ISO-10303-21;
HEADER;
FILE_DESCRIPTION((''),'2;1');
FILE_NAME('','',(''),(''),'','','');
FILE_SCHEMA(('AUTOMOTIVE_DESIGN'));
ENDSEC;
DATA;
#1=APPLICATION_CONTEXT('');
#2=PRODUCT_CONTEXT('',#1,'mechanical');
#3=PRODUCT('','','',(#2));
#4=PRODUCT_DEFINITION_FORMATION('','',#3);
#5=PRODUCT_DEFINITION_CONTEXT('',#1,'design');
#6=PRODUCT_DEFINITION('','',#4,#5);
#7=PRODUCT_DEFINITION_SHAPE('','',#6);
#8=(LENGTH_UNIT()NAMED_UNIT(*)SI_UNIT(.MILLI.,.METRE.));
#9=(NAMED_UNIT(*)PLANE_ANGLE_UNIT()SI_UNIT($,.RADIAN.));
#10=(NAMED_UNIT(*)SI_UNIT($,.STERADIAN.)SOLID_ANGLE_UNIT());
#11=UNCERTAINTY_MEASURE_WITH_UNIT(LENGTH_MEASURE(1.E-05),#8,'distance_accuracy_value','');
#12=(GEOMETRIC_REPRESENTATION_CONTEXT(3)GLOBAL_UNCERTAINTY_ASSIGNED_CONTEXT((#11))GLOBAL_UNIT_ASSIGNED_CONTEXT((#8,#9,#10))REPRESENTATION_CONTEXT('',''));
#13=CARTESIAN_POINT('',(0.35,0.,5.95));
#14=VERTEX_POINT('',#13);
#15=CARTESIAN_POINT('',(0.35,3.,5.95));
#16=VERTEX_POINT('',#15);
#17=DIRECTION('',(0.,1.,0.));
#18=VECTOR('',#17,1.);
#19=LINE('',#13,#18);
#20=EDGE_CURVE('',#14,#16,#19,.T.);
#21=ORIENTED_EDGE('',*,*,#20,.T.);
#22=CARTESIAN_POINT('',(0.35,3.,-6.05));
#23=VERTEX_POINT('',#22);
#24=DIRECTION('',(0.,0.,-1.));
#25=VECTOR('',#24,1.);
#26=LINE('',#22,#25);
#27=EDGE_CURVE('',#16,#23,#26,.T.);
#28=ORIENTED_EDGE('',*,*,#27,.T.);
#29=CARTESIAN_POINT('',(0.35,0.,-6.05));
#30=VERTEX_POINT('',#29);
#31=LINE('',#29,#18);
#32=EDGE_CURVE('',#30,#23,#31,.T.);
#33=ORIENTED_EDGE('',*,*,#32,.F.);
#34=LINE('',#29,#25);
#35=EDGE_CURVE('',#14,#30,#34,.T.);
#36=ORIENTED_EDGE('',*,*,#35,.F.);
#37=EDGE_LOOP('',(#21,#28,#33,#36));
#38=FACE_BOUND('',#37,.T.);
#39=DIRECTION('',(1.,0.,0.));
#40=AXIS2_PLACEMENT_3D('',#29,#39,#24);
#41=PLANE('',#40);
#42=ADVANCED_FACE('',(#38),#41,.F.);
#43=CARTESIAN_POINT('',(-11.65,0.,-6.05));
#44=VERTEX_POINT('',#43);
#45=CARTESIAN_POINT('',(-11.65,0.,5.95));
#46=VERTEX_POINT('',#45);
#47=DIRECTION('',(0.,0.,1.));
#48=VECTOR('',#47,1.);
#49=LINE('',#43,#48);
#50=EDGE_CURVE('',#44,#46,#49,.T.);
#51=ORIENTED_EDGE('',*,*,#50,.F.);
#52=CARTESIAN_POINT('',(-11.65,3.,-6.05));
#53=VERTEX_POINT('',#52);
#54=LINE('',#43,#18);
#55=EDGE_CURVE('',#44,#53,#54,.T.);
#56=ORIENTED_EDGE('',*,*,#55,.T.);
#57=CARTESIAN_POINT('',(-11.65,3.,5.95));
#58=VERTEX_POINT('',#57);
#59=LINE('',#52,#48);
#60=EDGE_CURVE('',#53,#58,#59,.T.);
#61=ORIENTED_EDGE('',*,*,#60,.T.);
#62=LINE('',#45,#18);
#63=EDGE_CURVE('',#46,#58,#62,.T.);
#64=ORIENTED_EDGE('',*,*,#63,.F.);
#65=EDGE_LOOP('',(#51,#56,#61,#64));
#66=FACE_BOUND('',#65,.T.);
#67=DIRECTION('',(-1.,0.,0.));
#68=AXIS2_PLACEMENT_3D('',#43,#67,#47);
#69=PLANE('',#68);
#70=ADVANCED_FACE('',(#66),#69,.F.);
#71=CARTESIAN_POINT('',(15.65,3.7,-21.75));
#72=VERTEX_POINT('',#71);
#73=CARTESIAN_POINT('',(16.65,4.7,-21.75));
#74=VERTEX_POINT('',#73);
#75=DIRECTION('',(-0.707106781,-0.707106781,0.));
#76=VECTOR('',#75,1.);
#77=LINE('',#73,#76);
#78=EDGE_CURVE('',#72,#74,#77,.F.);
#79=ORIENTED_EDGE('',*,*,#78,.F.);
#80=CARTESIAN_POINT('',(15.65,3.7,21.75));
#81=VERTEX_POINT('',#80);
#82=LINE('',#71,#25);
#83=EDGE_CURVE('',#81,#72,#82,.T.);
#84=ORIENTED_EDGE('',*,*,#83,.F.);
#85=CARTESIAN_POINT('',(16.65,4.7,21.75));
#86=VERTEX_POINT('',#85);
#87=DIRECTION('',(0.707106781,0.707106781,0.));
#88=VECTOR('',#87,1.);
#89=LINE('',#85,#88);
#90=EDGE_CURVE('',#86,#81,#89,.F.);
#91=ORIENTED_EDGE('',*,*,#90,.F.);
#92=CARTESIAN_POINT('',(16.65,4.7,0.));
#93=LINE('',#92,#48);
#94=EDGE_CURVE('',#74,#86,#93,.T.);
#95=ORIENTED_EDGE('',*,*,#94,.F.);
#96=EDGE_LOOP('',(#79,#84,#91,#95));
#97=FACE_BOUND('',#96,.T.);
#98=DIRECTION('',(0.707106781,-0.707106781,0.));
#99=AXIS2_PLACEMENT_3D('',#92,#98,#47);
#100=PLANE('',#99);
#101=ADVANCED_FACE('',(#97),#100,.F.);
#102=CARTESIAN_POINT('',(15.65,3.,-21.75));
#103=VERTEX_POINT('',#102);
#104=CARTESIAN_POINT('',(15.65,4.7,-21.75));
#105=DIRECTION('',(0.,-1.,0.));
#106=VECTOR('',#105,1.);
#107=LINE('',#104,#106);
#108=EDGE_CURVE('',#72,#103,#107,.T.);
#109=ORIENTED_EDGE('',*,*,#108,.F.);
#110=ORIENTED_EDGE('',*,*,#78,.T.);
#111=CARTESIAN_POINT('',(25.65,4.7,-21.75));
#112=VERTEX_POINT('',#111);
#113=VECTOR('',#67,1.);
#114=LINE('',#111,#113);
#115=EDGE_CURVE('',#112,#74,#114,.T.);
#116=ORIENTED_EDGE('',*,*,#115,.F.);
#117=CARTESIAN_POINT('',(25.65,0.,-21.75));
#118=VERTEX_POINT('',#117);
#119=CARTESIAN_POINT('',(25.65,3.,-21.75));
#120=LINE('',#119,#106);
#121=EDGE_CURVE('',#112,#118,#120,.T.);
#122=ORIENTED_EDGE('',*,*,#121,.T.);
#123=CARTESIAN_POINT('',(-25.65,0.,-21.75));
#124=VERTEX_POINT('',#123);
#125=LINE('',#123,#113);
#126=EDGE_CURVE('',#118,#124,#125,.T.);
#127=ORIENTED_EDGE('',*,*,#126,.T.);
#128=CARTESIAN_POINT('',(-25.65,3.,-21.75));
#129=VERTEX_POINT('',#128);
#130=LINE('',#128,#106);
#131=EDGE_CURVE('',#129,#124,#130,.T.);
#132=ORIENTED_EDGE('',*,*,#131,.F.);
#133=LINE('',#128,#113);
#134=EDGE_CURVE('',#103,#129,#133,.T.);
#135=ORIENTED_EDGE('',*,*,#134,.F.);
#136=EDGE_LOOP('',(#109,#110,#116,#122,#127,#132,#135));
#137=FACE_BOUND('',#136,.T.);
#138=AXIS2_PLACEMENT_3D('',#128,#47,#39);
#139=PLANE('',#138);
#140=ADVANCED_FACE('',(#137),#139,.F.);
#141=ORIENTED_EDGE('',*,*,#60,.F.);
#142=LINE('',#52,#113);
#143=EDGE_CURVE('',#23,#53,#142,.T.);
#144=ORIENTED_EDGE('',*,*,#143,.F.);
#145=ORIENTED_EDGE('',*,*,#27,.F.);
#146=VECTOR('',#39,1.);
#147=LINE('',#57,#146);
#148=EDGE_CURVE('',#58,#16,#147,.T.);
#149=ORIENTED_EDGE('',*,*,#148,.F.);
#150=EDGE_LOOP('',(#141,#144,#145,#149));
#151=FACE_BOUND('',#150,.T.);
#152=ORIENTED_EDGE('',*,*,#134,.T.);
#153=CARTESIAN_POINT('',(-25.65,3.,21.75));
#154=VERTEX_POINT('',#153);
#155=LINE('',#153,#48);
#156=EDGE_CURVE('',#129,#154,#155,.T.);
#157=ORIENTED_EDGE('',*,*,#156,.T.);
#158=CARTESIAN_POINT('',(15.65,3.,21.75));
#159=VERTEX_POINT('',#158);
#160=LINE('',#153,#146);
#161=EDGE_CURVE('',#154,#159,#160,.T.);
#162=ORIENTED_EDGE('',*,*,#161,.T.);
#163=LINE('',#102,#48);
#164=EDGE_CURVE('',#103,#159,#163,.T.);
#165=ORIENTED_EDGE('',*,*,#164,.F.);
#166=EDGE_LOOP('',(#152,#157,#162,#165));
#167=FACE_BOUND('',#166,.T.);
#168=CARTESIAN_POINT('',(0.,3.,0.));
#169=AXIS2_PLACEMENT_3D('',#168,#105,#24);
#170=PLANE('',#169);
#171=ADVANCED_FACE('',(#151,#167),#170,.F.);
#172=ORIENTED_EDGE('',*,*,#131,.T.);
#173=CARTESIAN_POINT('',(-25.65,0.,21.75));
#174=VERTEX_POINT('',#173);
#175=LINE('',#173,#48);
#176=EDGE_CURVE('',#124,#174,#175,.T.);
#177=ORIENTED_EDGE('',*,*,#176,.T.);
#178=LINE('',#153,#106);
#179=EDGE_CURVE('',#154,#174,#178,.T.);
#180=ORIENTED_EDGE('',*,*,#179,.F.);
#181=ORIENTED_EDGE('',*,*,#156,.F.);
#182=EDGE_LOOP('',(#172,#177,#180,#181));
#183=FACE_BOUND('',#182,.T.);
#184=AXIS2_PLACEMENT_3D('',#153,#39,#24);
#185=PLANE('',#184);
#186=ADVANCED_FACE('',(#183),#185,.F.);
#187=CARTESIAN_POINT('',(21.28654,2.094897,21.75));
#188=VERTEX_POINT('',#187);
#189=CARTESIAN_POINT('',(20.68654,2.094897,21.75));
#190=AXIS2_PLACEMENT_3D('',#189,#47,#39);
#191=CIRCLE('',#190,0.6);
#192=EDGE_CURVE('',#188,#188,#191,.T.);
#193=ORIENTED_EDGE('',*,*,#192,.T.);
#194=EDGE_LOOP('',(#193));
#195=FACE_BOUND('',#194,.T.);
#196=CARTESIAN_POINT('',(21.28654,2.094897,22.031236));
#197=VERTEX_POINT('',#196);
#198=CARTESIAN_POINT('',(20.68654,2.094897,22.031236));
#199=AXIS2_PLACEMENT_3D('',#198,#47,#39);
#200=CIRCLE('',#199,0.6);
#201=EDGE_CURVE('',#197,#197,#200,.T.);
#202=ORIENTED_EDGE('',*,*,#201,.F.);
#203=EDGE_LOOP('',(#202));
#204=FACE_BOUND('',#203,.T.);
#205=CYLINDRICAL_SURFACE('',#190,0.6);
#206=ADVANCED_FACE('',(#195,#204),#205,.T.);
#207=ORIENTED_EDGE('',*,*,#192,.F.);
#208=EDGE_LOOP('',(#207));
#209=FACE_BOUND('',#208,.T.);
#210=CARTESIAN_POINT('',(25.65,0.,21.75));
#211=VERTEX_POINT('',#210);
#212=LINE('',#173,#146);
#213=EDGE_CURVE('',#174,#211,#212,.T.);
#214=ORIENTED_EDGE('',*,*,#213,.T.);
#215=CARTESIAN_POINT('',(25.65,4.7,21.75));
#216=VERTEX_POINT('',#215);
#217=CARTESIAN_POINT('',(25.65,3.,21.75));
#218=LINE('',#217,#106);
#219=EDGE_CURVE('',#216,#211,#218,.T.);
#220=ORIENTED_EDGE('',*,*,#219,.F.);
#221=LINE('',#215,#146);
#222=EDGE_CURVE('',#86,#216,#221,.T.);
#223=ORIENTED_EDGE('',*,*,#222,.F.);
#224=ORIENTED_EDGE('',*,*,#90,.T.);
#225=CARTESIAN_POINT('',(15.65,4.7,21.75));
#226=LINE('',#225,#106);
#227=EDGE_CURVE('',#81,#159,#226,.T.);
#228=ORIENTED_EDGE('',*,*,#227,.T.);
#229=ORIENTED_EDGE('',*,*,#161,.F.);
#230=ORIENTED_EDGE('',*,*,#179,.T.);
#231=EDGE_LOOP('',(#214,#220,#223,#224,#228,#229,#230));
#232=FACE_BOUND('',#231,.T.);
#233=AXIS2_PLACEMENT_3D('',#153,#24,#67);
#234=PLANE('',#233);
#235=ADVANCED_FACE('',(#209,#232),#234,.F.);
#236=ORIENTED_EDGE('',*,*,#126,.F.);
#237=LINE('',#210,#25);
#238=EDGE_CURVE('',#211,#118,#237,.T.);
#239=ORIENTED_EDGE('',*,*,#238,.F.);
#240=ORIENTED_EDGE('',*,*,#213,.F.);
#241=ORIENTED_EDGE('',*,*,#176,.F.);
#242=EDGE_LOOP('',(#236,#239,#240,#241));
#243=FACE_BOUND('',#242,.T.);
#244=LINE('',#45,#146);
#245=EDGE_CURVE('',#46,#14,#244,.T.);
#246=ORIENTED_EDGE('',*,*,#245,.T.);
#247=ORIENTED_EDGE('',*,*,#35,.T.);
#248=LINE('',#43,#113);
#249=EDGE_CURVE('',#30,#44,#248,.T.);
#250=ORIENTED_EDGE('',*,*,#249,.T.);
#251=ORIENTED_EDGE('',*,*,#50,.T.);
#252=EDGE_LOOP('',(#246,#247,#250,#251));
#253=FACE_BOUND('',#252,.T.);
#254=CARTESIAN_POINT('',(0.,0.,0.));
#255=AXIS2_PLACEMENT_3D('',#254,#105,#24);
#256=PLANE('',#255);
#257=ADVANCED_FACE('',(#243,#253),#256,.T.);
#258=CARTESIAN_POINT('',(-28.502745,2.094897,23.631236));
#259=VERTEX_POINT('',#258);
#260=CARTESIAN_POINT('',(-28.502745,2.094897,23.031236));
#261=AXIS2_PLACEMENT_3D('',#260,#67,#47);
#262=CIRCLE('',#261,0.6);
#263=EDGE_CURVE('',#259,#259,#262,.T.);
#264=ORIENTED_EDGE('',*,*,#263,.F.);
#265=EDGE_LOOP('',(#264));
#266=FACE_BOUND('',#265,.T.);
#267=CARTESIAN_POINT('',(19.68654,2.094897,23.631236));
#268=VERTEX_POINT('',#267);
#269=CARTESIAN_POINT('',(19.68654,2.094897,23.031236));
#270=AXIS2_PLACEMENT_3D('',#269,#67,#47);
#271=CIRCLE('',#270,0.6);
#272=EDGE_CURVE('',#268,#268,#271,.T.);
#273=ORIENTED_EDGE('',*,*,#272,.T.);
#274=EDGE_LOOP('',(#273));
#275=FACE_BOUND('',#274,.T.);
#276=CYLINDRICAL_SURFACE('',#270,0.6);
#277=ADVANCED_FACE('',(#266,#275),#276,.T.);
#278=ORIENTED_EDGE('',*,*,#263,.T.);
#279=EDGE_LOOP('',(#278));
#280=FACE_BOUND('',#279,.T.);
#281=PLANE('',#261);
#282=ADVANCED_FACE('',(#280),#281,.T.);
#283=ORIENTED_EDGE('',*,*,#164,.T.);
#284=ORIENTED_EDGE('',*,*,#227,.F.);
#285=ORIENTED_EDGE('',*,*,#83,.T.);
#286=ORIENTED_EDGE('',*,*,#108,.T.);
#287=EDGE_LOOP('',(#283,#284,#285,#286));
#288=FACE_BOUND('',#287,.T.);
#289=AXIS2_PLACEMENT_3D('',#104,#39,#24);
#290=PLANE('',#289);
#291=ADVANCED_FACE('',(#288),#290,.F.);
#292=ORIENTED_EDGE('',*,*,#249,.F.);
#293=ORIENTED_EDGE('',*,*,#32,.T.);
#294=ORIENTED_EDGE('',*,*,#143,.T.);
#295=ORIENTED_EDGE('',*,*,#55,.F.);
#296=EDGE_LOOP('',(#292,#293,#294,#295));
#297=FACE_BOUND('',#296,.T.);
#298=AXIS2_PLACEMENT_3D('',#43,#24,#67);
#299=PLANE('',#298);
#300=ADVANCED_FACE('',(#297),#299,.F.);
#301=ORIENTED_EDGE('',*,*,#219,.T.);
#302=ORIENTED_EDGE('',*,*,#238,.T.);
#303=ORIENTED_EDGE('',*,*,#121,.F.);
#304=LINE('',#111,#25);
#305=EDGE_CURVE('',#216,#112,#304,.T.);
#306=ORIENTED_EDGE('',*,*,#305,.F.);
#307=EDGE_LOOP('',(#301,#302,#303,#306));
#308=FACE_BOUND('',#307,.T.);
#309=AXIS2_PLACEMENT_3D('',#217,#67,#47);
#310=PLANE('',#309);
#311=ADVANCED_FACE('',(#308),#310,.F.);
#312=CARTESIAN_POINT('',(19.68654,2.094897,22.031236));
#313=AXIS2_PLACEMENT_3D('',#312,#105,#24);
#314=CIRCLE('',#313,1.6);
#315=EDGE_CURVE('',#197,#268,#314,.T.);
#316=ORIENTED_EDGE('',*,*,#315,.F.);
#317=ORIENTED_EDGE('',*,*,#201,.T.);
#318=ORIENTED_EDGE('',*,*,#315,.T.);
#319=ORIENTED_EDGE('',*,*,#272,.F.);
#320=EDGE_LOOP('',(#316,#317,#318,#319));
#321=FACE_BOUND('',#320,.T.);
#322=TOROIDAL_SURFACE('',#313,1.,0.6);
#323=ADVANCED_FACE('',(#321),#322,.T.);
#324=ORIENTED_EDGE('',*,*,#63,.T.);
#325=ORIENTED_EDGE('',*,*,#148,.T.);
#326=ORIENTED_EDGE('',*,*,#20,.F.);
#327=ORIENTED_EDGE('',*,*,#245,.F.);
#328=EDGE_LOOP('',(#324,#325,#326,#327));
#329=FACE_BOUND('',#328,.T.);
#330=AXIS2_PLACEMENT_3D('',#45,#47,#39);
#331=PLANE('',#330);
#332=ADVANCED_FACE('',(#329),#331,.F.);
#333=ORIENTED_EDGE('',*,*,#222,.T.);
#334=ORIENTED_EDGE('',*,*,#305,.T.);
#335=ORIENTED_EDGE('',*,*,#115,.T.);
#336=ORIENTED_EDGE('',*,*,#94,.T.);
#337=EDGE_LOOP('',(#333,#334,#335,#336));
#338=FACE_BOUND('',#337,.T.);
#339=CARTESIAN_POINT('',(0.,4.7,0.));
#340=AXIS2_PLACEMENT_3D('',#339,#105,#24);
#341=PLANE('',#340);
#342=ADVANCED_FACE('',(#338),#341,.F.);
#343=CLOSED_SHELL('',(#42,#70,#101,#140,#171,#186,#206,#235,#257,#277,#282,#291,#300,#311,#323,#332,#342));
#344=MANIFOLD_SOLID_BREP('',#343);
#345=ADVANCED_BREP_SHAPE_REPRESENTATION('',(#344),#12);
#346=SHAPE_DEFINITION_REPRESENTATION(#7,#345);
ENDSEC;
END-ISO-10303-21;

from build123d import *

# Parameters (mm, degrees)
SKETCH1_W           = 51.3
SKETCH1_H           = 43.5
BOSS_EXTRUDE1_DEPTH = 3
SKETCH2_W           = 12
SKETCH2_H           = 12
CUT_EXTRUDE1_DEPTH  = 3
SKETCH3_W           = 10
SKETCH3_H           = 43.5
BOSS_EXTRUDE2_DEPTH = 1.7
CHAMFER1_SIZE       = 1
SKETCH4_R           = 0.6


with BuildPart() as part:
    # Sketch1 → Boss-Extrude1 (new body)
    with BuildSketch(Plane(origin=(0, 0, 0), x_dir=(1, 0, 0), z_dir=(0, 1, 0))):
        Rectangle(SKETCH1_W, SKETCH1_H)
    extrude(amount=BOSS_EXTRUDE1_DEPTH)

    # Sketch2 → Cut-Extrude1 (cut)
    with BuildSketch(Plane(origin=(0, 3, 0), x_dir=(1, 0, 0), z_dir=(0, 1, 0))):
        with Locations((-5.65, 0.05)):
            Rectangle(SKETCH2_W, SKETCH2_H)
    extrude(amount=-CUT_EXTRUDE1_DEPTH, mode=Mode.SUBTRACT)

    # Sketch3 → Boss-Extrude2 (add)
    with BuildSketch(Plane(origin=(0, 3, 0), x_dir=(1, 0, 0), z_dir=(0, 1, 0))):
        with Locations((20.65, 0)):
            Rectangle(SKETCH3_W, SKETCH3_H)
    extrude(amount=BOSS_EXTRUDE2_DEPTH)

    # Chamfer1
    chamfer1_edges = [part.edges().sort_by_distance(p)[0] for p in [
        (15.65, 4.7, 0),
    ]]
    chamfer(chamfer1_edges, length=CHAMFER1_SIZE)

    # handle: sweep along a path in Sketch5
    with BuildLine(Plane(origin=(0, 3, 0), x_dir=(1, 0, 0), z_dir=(0, 1, 0))) as handle_path:
        Line((20.68654036, -21.75), (20.68654036, -22.031235757))
        ThreePointArc((20.68654036, -22.031235757), (20.393647141, -22.738342538), (19.68654036, -23.031235757))
        Line((19.68654036, -23.031235757), (-28.502744804, -23.031235757))
    # Sketch4 → handle (sweep)
    with BuildSketch(Plane.XY.offset(21.75)):
        with Locations((20.68654036, 2.094896924)):
            Circle(SKETCH4_R)
    sweep(path=handle_path.line)


solid = part.part
